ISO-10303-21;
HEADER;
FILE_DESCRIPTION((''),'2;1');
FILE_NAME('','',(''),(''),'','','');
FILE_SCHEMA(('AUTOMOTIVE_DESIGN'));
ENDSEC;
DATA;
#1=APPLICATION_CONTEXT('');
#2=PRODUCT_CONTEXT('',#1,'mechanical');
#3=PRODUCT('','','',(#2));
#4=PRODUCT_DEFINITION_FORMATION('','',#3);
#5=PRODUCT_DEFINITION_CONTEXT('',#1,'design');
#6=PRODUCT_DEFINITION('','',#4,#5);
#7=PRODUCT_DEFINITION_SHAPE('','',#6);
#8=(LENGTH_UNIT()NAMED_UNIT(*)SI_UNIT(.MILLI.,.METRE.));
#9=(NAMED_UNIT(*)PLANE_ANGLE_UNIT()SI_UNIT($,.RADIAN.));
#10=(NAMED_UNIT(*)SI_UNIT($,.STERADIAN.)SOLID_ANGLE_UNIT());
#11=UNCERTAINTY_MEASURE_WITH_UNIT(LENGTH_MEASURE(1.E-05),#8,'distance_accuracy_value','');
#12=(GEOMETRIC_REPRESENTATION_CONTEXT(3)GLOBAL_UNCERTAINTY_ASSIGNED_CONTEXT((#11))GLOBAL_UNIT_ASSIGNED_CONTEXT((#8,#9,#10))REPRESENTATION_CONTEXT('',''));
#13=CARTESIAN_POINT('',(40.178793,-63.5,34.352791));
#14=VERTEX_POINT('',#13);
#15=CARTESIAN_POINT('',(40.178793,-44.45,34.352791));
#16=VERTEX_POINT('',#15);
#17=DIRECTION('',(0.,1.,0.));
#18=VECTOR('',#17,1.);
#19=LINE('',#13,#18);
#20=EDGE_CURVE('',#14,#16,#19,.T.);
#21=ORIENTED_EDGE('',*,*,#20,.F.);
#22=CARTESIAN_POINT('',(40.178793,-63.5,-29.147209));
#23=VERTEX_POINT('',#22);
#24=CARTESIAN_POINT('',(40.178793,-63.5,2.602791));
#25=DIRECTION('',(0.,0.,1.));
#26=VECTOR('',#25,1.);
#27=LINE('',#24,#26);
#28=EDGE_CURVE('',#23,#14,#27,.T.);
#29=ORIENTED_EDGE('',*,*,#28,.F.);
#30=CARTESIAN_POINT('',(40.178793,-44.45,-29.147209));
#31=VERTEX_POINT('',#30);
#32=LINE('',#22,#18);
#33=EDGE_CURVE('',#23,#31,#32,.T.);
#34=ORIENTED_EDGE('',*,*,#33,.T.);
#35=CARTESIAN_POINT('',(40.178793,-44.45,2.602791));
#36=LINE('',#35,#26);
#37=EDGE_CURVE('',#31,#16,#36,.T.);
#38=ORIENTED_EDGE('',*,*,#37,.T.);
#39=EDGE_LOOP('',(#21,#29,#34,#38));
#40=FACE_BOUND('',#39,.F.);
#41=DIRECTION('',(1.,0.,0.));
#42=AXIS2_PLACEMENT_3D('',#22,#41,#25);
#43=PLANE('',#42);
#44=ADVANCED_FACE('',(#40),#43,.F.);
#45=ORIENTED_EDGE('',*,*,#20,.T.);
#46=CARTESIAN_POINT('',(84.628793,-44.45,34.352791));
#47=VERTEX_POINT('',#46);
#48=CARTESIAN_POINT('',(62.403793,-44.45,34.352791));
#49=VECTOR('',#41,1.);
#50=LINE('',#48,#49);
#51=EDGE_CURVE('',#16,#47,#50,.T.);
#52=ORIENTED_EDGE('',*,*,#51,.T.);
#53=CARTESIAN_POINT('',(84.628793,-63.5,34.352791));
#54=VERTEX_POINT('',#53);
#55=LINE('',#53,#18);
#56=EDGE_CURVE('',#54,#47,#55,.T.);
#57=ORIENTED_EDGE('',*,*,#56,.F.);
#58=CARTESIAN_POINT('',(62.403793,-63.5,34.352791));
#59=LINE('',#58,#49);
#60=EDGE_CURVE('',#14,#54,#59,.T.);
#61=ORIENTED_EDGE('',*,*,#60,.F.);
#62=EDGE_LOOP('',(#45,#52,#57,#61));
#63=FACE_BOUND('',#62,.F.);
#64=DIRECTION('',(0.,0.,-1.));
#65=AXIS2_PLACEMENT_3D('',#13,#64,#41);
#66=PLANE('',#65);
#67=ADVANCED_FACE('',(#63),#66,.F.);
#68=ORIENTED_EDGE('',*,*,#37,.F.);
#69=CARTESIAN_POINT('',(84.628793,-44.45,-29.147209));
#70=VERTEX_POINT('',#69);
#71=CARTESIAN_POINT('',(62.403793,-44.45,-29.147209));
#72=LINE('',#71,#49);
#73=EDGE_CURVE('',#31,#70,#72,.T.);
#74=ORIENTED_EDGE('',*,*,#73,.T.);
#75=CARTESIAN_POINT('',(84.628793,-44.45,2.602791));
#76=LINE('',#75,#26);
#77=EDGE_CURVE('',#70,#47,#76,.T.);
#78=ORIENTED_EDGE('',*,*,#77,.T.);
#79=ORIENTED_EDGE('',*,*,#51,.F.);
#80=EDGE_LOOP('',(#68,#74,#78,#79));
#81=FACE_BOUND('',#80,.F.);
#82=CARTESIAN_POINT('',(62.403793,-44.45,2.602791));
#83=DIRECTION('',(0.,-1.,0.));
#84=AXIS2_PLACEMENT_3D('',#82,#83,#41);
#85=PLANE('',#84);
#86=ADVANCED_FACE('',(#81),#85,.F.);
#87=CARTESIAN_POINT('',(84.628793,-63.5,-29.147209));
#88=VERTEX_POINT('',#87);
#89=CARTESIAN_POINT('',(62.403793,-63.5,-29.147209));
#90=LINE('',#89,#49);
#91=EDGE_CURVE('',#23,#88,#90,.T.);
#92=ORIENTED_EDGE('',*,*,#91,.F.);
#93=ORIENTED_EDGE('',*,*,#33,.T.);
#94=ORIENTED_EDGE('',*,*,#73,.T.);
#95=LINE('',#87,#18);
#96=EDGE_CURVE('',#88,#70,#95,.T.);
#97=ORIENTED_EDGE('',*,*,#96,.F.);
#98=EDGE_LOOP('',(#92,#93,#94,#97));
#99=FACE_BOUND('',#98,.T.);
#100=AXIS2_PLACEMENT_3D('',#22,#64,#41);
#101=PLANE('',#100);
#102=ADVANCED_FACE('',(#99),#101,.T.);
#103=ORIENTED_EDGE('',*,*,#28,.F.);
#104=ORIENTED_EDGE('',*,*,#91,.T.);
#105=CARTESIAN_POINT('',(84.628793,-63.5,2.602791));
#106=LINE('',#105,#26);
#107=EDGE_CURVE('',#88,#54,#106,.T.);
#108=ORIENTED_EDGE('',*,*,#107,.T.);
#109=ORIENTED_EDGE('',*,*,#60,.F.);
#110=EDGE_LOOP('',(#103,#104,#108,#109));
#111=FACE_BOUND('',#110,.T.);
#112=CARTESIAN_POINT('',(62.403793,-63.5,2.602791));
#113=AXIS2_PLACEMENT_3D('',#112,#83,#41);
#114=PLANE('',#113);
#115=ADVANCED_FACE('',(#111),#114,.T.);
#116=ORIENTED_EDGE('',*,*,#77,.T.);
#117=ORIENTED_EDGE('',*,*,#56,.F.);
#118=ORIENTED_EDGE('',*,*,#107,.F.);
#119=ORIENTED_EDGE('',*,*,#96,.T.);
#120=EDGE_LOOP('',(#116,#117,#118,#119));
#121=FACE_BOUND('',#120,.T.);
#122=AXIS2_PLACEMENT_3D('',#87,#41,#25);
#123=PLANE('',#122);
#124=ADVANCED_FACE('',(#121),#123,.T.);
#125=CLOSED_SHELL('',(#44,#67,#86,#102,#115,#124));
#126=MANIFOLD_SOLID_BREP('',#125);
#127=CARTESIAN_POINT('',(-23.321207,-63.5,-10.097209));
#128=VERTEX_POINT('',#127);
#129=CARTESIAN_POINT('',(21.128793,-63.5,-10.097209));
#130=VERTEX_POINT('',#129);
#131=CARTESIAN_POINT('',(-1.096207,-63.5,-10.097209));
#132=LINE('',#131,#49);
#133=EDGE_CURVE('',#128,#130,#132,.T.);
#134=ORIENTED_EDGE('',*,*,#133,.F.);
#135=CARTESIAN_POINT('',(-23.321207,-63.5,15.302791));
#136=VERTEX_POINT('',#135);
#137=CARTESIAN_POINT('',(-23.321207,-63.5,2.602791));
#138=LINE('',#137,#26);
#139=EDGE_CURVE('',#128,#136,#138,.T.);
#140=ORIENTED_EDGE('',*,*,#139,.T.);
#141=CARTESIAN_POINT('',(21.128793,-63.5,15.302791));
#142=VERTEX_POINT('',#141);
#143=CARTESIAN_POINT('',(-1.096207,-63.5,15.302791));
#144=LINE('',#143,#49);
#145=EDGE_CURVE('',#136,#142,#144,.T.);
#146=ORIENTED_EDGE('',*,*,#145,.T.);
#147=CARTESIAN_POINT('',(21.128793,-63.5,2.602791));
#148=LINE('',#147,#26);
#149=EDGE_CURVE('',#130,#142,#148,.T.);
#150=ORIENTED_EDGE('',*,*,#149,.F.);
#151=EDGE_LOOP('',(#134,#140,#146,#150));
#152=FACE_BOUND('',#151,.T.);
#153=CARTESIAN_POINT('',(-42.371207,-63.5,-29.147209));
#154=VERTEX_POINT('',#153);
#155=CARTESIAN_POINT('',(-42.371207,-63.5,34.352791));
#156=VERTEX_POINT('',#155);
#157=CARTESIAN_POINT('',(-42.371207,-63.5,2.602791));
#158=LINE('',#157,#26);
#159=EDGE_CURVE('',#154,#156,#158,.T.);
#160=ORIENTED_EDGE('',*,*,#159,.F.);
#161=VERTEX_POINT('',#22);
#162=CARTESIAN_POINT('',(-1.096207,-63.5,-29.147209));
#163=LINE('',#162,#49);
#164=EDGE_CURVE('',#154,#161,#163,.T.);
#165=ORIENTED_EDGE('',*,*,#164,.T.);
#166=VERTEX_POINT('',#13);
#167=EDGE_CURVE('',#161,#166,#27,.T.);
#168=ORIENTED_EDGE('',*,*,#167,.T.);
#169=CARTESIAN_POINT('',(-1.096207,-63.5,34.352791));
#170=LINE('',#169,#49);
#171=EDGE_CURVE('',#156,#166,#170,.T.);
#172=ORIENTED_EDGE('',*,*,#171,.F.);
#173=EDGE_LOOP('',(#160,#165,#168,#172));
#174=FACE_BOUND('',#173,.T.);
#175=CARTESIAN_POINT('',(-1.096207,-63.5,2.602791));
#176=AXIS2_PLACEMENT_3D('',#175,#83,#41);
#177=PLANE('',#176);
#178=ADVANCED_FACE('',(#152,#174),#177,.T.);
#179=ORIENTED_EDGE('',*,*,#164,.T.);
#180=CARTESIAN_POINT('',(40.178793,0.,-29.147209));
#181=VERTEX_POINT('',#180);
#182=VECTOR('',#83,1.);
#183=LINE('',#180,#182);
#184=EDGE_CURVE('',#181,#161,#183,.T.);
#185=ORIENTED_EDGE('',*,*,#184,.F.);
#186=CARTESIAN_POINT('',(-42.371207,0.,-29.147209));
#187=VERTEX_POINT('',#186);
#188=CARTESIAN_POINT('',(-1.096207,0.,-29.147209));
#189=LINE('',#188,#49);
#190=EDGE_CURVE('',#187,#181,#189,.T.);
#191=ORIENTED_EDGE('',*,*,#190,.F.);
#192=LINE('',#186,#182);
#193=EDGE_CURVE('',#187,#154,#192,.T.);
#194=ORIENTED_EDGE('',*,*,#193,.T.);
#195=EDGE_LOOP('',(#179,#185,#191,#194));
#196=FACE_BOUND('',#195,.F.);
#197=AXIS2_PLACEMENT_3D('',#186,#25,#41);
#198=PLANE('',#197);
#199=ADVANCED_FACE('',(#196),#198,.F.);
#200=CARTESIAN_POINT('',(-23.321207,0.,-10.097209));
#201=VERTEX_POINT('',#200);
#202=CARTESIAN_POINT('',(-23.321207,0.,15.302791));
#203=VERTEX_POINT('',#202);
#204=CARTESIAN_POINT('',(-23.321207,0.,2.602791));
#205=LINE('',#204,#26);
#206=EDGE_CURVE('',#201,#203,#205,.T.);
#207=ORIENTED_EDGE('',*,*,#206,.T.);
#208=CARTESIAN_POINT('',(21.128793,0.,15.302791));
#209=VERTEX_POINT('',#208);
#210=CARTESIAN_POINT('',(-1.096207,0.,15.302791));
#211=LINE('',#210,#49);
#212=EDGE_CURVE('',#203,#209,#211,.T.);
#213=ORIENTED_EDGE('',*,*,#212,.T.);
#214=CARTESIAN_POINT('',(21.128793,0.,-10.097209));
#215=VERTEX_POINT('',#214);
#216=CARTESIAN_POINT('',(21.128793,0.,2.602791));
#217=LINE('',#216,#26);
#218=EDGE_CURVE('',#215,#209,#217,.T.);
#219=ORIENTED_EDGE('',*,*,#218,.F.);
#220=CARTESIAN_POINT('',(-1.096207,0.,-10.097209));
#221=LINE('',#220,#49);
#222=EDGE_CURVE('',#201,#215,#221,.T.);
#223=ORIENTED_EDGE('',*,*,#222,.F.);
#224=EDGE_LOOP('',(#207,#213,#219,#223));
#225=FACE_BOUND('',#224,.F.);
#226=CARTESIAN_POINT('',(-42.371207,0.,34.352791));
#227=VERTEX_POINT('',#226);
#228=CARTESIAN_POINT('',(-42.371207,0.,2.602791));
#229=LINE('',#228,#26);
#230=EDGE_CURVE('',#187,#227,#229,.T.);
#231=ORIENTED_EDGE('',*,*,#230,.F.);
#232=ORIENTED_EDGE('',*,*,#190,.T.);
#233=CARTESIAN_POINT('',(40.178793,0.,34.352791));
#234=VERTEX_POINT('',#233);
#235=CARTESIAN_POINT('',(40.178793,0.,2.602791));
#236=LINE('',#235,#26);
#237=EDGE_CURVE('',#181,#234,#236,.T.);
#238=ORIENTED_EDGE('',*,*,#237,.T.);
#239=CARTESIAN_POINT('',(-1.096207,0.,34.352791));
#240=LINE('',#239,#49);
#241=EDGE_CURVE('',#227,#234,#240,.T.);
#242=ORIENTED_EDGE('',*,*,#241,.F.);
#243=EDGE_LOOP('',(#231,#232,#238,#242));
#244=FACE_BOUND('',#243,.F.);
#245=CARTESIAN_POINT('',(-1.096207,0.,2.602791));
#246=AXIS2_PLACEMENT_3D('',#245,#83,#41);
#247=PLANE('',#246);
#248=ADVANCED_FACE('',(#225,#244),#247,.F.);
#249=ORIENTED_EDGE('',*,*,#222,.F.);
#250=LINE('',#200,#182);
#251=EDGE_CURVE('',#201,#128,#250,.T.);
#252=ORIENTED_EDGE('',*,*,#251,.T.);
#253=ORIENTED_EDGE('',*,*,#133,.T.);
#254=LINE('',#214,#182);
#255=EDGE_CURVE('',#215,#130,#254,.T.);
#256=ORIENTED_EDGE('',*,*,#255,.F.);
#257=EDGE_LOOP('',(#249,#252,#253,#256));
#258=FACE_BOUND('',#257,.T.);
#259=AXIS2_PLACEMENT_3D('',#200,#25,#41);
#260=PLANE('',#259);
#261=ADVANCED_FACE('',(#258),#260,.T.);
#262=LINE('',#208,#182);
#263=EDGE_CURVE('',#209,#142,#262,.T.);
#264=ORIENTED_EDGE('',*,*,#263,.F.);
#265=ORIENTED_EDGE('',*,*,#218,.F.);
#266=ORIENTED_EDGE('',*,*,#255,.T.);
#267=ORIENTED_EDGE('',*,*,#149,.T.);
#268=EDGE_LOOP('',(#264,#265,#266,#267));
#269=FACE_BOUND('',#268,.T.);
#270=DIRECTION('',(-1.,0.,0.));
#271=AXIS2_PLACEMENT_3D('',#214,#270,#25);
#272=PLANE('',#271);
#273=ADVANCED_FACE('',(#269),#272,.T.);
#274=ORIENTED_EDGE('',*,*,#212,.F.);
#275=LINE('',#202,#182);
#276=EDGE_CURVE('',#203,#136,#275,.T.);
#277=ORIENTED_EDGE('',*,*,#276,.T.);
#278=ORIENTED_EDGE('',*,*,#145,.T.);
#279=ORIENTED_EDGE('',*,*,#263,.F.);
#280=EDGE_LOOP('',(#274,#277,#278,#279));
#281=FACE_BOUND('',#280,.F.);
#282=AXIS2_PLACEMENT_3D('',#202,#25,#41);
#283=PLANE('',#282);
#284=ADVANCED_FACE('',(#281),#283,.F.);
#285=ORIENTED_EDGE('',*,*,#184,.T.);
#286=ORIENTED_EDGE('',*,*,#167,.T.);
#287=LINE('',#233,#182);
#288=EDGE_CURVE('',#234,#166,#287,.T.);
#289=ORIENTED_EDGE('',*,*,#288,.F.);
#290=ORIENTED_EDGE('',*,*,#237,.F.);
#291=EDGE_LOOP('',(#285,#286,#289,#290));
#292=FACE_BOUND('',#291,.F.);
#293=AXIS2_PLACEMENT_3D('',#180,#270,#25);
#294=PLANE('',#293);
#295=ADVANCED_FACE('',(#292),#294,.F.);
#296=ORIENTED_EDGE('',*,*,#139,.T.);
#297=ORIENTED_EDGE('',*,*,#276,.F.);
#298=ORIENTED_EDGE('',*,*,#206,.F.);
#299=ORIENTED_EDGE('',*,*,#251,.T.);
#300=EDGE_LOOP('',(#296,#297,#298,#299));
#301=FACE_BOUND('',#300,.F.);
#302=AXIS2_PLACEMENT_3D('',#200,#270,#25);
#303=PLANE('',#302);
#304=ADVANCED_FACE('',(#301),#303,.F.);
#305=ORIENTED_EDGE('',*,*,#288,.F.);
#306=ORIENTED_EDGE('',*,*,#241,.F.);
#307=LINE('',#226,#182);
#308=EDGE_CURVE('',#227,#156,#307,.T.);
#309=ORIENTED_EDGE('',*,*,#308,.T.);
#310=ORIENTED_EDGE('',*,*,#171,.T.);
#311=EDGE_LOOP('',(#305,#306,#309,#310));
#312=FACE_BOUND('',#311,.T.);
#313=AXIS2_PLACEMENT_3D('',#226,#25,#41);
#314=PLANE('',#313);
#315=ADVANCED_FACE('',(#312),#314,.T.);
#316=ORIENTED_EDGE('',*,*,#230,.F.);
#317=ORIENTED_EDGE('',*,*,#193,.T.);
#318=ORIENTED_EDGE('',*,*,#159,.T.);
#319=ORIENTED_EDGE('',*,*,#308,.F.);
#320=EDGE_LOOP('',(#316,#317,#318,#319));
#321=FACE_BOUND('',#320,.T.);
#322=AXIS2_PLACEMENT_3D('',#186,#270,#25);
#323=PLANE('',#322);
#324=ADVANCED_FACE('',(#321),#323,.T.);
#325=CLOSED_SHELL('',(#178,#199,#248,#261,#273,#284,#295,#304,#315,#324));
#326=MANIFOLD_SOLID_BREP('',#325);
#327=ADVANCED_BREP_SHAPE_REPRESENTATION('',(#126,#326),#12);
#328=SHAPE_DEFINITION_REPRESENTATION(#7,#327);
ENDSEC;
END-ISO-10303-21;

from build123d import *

# Parameters (mm, degrees)
F0_W     = 82.55
F0_H     = 63.5
F0_W_2   = 44.45
F0_H_2   = 25.4
F1_DEPTH = 63.5
F2_W     = 44.45
F2_H     = 63.5
F3_DEPTH = 19.05


with BuildPart() as f1:
    # F0 (on Front) → F1 (new body)
    with BuildSketch(Plane.XZ):
        with Locations((-1.096207, 2.602791)):
            Rectangle(F0_W, F0_H)
        with Locations((-1.096207, 2.602791)):
            Rectangle(F0_W_2, F0_H_2, mode=Mode.SUBTRACT)
    extrude(amount=F1_DEPTH)


with BuildPart() as f3:
    # F2 (on face) → F3 (new body)
    with BuildSketch(Plane.XZ.offset(63.5)):
        with Locations((62.403793, 2.602791)):
            Rectangle(F2_W, F2_H)
    extrude(amount=-F3_DEPTH)


solid = Compound([f1.part, f3.part])
